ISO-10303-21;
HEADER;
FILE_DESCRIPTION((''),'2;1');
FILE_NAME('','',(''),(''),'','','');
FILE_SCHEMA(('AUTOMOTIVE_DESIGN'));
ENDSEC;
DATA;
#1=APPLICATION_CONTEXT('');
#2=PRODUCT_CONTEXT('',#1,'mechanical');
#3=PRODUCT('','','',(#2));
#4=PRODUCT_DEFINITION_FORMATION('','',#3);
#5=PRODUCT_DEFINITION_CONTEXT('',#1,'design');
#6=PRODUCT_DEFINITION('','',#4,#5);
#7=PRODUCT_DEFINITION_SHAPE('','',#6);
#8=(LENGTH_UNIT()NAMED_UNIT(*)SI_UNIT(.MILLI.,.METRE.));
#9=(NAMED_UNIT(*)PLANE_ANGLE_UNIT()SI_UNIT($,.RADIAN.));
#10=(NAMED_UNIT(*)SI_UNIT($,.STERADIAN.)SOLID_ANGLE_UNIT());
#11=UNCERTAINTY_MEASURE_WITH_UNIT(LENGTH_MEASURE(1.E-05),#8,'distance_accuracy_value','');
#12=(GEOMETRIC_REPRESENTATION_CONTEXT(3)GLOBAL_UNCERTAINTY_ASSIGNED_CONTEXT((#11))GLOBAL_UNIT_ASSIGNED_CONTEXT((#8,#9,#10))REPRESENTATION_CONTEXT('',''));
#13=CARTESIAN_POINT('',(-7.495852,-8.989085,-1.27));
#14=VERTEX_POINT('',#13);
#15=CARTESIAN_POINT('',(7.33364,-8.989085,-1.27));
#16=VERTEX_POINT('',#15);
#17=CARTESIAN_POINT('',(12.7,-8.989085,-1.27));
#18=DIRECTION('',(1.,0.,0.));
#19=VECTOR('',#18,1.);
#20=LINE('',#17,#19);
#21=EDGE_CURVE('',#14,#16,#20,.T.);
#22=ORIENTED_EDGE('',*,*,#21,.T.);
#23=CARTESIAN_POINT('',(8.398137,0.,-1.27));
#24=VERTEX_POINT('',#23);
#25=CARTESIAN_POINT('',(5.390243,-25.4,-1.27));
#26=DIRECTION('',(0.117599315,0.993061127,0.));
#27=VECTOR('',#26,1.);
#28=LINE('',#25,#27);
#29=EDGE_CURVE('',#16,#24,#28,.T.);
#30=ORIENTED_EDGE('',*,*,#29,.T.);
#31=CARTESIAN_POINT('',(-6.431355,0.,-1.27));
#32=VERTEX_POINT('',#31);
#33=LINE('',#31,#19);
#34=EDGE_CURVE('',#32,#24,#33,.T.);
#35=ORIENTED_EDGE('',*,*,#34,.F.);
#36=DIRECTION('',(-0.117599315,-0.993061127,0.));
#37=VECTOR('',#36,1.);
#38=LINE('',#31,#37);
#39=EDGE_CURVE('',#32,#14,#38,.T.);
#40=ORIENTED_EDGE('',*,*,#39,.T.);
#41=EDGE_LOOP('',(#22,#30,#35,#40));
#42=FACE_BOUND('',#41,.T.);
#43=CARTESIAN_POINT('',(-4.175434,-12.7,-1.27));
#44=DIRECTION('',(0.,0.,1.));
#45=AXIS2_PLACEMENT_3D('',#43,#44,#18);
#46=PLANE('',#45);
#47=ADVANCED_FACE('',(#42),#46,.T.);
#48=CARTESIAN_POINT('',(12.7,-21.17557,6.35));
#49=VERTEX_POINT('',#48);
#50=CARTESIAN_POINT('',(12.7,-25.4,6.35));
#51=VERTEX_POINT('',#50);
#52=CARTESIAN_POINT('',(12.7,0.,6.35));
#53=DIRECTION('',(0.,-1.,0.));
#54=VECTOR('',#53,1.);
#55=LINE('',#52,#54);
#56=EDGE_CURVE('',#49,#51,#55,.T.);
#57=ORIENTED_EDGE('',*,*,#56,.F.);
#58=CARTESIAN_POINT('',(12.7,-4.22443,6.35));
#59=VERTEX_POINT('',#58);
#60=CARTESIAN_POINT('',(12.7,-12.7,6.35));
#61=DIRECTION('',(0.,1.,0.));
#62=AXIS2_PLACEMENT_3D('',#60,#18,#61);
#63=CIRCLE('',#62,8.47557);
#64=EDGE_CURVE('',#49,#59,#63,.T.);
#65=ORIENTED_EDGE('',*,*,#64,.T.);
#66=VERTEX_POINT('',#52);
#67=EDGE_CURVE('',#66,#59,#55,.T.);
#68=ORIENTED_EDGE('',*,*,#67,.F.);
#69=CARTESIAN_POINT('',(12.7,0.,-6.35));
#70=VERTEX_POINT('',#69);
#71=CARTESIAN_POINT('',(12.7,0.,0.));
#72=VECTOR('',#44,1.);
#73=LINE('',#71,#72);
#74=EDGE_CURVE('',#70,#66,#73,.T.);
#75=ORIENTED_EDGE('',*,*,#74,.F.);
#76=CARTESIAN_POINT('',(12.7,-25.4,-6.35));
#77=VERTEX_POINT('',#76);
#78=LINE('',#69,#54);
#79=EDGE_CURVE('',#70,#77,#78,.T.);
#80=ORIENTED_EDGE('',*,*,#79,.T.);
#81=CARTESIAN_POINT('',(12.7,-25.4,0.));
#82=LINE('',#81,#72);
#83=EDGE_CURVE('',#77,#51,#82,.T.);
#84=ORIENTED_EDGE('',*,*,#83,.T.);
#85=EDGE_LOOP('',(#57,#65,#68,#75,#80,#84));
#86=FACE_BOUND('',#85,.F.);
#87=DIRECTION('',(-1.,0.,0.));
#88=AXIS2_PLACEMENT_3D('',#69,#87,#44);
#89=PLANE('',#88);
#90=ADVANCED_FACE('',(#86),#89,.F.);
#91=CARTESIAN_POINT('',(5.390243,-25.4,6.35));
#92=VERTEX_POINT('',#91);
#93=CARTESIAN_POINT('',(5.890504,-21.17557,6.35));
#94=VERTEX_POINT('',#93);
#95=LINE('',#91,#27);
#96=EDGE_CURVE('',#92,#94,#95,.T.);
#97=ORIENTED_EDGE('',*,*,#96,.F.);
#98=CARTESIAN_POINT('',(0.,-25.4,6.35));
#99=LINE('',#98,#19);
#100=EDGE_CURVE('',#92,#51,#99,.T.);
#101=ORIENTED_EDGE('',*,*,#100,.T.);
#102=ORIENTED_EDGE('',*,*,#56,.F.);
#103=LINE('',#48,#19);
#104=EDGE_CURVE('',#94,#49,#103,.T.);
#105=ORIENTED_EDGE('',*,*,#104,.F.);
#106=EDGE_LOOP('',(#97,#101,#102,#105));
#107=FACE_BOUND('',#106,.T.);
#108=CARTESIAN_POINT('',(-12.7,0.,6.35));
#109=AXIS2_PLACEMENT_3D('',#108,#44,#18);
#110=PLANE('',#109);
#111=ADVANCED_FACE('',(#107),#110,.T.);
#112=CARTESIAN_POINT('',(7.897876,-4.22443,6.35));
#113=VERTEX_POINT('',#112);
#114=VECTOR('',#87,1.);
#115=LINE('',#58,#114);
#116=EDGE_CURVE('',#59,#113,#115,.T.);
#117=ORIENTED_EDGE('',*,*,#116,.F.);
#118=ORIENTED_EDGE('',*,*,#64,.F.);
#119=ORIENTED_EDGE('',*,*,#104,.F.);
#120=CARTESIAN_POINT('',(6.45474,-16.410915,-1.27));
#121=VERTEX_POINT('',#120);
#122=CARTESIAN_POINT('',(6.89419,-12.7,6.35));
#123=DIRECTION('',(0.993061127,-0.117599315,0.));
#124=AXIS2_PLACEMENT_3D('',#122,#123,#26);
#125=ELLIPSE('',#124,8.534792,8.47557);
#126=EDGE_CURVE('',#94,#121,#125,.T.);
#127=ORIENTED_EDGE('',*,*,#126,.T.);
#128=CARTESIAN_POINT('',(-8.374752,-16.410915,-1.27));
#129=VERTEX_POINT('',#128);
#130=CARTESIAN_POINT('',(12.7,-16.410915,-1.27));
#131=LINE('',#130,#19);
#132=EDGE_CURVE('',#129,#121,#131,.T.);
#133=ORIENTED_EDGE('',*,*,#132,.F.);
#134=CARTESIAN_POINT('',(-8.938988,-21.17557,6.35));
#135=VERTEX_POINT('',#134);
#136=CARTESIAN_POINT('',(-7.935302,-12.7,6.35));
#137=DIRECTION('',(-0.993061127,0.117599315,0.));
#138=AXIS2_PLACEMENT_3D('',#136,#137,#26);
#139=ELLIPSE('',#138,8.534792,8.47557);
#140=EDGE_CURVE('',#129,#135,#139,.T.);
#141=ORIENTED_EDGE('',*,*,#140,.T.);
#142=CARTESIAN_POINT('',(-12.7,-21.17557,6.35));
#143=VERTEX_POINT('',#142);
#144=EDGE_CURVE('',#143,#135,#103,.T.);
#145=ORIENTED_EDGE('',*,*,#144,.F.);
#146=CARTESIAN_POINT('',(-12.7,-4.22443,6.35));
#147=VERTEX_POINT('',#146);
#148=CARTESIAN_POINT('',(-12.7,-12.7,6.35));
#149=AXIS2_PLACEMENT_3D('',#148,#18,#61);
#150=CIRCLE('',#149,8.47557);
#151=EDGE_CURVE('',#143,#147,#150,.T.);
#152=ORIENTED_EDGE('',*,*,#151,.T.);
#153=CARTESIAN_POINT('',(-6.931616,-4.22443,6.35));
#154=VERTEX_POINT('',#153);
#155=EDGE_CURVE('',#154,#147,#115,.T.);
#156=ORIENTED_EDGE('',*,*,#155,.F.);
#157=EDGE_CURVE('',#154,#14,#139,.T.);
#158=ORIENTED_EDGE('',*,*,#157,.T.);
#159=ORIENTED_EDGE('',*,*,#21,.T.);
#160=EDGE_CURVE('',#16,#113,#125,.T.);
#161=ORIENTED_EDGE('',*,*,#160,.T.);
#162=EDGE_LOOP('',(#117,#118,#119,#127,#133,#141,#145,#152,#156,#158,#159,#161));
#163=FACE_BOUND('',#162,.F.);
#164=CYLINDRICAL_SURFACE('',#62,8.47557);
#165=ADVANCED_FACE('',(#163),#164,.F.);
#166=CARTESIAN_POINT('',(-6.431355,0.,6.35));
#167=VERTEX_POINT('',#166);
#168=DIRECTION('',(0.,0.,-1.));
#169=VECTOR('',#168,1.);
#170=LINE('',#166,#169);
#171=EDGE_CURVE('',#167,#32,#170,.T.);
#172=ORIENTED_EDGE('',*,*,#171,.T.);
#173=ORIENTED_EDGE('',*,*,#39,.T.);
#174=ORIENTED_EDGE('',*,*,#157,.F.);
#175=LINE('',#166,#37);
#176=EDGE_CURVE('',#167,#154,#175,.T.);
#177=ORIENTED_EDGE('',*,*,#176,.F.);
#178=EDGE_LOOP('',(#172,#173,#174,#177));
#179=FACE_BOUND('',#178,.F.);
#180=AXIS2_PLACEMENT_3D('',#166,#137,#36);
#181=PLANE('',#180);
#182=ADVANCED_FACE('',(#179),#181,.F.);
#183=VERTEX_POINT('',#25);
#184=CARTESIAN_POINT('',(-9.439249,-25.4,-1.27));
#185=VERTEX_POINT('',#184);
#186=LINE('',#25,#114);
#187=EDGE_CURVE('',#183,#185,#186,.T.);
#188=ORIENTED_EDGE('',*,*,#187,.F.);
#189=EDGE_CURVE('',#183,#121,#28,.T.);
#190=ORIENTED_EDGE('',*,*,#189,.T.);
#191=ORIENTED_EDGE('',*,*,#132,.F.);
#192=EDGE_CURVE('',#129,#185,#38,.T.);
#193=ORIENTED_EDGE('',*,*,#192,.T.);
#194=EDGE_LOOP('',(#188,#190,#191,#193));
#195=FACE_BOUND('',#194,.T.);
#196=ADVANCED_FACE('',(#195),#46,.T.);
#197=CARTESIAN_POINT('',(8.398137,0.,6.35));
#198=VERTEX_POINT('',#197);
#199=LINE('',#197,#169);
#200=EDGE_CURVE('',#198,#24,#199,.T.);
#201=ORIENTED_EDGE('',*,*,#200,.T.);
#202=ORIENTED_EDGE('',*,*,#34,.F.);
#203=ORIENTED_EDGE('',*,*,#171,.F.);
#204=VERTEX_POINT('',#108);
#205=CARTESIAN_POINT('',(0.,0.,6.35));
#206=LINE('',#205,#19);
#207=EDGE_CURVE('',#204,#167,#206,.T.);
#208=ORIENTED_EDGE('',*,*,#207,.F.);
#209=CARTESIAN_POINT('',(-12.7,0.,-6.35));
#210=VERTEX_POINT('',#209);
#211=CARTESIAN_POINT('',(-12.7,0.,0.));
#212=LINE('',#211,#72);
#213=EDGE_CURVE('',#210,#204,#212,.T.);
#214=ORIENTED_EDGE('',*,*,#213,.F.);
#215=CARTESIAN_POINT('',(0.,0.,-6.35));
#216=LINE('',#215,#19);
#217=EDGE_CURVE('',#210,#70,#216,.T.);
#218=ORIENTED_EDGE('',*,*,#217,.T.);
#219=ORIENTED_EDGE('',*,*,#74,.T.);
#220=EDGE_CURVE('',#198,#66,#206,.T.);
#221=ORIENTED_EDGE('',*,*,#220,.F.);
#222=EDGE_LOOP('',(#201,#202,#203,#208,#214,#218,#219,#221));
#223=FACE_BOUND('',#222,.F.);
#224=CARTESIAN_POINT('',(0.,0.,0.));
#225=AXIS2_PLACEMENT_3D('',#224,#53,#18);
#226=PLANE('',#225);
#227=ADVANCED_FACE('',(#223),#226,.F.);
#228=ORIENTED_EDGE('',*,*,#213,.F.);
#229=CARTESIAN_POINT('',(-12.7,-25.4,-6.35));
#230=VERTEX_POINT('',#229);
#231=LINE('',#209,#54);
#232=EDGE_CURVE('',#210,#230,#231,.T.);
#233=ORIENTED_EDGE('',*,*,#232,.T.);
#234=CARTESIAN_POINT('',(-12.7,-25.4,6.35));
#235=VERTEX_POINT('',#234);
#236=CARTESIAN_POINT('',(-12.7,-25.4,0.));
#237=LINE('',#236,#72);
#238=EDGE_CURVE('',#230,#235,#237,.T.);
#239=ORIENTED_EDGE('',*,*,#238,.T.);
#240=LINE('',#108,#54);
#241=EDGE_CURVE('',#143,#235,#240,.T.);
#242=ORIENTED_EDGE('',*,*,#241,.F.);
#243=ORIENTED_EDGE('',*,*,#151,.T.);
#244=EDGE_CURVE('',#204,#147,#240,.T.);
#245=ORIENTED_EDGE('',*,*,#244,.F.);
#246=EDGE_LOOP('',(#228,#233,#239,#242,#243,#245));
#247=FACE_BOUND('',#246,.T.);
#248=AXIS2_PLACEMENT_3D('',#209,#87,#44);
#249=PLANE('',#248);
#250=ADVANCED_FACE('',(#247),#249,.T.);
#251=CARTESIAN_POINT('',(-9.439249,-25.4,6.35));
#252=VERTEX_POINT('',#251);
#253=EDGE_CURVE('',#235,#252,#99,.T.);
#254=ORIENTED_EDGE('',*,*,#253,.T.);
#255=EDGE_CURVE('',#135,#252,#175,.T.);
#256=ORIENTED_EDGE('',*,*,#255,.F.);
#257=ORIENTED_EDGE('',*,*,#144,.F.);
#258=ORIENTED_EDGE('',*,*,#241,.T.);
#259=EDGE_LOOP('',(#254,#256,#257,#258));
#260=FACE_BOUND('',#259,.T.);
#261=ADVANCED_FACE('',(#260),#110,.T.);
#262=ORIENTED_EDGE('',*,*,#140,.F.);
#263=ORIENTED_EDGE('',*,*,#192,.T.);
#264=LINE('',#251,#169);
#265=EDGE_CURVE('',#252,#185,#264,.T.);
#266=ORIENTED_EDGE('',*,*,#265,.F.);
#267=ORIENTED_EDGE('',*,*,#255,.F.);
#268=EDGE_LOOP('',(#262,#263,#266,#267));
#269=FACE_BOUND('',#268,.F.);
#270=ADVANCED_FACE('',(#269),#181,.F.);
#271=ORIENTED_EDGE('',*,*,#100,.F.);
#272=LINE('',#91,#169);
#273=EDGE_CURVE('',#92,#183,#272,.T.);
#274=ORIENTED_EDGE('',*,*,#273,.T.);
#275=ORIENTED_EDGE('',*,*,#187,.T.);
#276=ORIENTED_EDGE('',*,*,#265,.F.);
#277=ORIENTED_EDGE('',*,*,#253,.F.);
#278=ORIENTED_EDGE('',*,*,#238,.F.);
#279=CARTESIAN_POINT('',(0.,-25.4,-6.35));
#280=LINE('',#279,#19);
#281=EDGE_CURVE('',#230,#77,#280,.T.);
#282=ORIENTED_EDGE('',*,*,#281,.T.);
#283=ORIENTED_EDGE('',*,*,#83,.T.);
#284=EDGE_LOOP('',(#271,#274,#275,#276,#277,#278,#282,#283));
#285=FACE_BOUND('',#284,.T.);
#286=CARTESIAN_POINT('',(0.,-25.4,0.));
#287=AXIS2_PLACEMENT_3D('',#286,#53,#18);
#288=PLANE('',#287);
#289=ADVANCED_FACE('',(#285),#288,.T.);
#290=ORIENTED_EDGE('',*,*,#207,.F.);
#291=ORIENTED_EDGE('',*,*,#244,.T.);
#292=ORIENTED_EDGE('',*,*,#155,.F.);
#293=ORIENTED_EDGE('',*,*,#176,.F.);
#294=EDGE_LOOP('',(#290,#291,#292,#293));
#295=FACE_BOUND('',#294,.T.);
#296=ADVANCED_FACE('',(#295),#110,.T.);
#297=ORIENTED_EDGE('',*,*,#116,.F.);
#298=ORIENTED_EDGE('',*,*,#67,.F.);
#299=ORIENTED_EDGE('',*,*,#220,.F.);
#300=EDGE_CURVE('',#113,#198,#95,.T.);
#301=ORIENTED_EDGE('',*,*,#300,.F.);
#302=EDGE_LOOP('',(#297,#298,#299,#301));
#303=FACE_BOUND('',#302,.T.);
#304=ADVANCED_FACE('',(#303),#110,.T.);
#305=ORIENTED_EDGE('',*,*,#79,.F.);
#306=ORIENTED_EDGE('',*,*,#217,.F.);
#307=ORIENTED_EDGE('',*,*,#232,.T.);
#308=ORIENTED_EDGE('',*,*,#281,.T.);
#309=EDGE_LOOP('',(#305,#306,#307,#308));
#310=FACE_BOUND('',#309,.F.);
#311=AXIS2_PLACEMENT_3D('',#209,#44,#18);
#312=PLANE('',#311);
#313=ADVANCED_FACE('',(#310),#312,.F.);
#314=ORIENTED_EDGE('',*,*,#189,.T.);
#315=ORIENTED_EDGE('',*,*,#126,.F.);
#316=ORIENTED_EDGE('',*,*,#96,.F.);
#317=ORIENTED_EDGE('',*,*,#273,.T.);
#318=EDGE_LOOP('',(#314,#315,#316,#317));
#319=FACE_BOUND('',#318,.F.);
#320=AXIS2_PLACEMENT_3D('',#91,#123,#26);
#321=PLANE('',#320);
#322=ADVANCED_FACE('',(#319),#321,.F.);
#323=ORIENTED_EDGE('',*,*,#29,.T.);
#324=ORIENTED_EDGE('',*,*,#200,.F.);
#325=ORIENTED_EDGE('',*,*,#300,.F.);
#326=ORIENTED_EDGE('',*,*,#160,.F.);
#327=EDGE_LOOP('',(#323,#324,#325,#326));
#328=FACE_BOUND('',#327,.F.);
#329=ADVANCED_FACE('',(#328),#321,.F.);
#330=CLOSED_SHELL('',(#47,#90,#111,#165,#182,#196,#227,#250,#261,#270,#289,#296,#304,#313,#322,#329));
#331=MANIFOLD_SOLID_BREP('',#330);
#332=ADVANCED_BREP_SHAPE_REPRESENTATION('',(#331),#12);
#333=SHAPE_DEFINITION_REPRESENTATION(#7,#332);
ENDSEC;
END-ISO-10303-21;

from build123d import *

# Parameters (mm, degrees)
F0_W     = 25.4
F0_H     = 12.7
F1_DEPTH = 25.4
F3_DEPTH = 7.62
F5_DEPTH = 7.62
F6_R     = 8.47557
F7_DEPTH = 25.4


with BuildPart() as f1:
    # F0 (on Front) → F1 (new body)
    with BuildSketch(Plane.XZ):
        Rectangle(F0_W, F0_H)
    extrude(amount=F1_DEPTH)

    # F2 (on face) → F3 (cut)
    with BuildSketch(Plane.XY.offset(6.35)):
        Polygon((-6.431355, 0), (-9.439249, -25.4), (-1.919514, -25.4), (1.08838, 0), align=None)
    extrude(amount=-F3_DEPTH, mode=Mode.SUBTRACT)

    # F4 (on face) → F5 (cut)
    with BuildSketch(Plane.XY.offset(6.35)):
        Polygon((-1.919514, -25.4), (5.390243, -25.4), (8.398137, 0), (1.08838, 0), align=None)
    extrude(amount=-F5_DEPTH, mode=Mode.SUBTRACT)

    # F6 (on face) → F7 (cut)
    with BuildSketch(Plane.YZ.offset(12.7)):
        with Locations((-12.7, 6.35)):
            Circle(F6_R)
    extrude(amount=-F7_DEPTH, mode=Mode.SUBTRACT)


solid = f1.part
